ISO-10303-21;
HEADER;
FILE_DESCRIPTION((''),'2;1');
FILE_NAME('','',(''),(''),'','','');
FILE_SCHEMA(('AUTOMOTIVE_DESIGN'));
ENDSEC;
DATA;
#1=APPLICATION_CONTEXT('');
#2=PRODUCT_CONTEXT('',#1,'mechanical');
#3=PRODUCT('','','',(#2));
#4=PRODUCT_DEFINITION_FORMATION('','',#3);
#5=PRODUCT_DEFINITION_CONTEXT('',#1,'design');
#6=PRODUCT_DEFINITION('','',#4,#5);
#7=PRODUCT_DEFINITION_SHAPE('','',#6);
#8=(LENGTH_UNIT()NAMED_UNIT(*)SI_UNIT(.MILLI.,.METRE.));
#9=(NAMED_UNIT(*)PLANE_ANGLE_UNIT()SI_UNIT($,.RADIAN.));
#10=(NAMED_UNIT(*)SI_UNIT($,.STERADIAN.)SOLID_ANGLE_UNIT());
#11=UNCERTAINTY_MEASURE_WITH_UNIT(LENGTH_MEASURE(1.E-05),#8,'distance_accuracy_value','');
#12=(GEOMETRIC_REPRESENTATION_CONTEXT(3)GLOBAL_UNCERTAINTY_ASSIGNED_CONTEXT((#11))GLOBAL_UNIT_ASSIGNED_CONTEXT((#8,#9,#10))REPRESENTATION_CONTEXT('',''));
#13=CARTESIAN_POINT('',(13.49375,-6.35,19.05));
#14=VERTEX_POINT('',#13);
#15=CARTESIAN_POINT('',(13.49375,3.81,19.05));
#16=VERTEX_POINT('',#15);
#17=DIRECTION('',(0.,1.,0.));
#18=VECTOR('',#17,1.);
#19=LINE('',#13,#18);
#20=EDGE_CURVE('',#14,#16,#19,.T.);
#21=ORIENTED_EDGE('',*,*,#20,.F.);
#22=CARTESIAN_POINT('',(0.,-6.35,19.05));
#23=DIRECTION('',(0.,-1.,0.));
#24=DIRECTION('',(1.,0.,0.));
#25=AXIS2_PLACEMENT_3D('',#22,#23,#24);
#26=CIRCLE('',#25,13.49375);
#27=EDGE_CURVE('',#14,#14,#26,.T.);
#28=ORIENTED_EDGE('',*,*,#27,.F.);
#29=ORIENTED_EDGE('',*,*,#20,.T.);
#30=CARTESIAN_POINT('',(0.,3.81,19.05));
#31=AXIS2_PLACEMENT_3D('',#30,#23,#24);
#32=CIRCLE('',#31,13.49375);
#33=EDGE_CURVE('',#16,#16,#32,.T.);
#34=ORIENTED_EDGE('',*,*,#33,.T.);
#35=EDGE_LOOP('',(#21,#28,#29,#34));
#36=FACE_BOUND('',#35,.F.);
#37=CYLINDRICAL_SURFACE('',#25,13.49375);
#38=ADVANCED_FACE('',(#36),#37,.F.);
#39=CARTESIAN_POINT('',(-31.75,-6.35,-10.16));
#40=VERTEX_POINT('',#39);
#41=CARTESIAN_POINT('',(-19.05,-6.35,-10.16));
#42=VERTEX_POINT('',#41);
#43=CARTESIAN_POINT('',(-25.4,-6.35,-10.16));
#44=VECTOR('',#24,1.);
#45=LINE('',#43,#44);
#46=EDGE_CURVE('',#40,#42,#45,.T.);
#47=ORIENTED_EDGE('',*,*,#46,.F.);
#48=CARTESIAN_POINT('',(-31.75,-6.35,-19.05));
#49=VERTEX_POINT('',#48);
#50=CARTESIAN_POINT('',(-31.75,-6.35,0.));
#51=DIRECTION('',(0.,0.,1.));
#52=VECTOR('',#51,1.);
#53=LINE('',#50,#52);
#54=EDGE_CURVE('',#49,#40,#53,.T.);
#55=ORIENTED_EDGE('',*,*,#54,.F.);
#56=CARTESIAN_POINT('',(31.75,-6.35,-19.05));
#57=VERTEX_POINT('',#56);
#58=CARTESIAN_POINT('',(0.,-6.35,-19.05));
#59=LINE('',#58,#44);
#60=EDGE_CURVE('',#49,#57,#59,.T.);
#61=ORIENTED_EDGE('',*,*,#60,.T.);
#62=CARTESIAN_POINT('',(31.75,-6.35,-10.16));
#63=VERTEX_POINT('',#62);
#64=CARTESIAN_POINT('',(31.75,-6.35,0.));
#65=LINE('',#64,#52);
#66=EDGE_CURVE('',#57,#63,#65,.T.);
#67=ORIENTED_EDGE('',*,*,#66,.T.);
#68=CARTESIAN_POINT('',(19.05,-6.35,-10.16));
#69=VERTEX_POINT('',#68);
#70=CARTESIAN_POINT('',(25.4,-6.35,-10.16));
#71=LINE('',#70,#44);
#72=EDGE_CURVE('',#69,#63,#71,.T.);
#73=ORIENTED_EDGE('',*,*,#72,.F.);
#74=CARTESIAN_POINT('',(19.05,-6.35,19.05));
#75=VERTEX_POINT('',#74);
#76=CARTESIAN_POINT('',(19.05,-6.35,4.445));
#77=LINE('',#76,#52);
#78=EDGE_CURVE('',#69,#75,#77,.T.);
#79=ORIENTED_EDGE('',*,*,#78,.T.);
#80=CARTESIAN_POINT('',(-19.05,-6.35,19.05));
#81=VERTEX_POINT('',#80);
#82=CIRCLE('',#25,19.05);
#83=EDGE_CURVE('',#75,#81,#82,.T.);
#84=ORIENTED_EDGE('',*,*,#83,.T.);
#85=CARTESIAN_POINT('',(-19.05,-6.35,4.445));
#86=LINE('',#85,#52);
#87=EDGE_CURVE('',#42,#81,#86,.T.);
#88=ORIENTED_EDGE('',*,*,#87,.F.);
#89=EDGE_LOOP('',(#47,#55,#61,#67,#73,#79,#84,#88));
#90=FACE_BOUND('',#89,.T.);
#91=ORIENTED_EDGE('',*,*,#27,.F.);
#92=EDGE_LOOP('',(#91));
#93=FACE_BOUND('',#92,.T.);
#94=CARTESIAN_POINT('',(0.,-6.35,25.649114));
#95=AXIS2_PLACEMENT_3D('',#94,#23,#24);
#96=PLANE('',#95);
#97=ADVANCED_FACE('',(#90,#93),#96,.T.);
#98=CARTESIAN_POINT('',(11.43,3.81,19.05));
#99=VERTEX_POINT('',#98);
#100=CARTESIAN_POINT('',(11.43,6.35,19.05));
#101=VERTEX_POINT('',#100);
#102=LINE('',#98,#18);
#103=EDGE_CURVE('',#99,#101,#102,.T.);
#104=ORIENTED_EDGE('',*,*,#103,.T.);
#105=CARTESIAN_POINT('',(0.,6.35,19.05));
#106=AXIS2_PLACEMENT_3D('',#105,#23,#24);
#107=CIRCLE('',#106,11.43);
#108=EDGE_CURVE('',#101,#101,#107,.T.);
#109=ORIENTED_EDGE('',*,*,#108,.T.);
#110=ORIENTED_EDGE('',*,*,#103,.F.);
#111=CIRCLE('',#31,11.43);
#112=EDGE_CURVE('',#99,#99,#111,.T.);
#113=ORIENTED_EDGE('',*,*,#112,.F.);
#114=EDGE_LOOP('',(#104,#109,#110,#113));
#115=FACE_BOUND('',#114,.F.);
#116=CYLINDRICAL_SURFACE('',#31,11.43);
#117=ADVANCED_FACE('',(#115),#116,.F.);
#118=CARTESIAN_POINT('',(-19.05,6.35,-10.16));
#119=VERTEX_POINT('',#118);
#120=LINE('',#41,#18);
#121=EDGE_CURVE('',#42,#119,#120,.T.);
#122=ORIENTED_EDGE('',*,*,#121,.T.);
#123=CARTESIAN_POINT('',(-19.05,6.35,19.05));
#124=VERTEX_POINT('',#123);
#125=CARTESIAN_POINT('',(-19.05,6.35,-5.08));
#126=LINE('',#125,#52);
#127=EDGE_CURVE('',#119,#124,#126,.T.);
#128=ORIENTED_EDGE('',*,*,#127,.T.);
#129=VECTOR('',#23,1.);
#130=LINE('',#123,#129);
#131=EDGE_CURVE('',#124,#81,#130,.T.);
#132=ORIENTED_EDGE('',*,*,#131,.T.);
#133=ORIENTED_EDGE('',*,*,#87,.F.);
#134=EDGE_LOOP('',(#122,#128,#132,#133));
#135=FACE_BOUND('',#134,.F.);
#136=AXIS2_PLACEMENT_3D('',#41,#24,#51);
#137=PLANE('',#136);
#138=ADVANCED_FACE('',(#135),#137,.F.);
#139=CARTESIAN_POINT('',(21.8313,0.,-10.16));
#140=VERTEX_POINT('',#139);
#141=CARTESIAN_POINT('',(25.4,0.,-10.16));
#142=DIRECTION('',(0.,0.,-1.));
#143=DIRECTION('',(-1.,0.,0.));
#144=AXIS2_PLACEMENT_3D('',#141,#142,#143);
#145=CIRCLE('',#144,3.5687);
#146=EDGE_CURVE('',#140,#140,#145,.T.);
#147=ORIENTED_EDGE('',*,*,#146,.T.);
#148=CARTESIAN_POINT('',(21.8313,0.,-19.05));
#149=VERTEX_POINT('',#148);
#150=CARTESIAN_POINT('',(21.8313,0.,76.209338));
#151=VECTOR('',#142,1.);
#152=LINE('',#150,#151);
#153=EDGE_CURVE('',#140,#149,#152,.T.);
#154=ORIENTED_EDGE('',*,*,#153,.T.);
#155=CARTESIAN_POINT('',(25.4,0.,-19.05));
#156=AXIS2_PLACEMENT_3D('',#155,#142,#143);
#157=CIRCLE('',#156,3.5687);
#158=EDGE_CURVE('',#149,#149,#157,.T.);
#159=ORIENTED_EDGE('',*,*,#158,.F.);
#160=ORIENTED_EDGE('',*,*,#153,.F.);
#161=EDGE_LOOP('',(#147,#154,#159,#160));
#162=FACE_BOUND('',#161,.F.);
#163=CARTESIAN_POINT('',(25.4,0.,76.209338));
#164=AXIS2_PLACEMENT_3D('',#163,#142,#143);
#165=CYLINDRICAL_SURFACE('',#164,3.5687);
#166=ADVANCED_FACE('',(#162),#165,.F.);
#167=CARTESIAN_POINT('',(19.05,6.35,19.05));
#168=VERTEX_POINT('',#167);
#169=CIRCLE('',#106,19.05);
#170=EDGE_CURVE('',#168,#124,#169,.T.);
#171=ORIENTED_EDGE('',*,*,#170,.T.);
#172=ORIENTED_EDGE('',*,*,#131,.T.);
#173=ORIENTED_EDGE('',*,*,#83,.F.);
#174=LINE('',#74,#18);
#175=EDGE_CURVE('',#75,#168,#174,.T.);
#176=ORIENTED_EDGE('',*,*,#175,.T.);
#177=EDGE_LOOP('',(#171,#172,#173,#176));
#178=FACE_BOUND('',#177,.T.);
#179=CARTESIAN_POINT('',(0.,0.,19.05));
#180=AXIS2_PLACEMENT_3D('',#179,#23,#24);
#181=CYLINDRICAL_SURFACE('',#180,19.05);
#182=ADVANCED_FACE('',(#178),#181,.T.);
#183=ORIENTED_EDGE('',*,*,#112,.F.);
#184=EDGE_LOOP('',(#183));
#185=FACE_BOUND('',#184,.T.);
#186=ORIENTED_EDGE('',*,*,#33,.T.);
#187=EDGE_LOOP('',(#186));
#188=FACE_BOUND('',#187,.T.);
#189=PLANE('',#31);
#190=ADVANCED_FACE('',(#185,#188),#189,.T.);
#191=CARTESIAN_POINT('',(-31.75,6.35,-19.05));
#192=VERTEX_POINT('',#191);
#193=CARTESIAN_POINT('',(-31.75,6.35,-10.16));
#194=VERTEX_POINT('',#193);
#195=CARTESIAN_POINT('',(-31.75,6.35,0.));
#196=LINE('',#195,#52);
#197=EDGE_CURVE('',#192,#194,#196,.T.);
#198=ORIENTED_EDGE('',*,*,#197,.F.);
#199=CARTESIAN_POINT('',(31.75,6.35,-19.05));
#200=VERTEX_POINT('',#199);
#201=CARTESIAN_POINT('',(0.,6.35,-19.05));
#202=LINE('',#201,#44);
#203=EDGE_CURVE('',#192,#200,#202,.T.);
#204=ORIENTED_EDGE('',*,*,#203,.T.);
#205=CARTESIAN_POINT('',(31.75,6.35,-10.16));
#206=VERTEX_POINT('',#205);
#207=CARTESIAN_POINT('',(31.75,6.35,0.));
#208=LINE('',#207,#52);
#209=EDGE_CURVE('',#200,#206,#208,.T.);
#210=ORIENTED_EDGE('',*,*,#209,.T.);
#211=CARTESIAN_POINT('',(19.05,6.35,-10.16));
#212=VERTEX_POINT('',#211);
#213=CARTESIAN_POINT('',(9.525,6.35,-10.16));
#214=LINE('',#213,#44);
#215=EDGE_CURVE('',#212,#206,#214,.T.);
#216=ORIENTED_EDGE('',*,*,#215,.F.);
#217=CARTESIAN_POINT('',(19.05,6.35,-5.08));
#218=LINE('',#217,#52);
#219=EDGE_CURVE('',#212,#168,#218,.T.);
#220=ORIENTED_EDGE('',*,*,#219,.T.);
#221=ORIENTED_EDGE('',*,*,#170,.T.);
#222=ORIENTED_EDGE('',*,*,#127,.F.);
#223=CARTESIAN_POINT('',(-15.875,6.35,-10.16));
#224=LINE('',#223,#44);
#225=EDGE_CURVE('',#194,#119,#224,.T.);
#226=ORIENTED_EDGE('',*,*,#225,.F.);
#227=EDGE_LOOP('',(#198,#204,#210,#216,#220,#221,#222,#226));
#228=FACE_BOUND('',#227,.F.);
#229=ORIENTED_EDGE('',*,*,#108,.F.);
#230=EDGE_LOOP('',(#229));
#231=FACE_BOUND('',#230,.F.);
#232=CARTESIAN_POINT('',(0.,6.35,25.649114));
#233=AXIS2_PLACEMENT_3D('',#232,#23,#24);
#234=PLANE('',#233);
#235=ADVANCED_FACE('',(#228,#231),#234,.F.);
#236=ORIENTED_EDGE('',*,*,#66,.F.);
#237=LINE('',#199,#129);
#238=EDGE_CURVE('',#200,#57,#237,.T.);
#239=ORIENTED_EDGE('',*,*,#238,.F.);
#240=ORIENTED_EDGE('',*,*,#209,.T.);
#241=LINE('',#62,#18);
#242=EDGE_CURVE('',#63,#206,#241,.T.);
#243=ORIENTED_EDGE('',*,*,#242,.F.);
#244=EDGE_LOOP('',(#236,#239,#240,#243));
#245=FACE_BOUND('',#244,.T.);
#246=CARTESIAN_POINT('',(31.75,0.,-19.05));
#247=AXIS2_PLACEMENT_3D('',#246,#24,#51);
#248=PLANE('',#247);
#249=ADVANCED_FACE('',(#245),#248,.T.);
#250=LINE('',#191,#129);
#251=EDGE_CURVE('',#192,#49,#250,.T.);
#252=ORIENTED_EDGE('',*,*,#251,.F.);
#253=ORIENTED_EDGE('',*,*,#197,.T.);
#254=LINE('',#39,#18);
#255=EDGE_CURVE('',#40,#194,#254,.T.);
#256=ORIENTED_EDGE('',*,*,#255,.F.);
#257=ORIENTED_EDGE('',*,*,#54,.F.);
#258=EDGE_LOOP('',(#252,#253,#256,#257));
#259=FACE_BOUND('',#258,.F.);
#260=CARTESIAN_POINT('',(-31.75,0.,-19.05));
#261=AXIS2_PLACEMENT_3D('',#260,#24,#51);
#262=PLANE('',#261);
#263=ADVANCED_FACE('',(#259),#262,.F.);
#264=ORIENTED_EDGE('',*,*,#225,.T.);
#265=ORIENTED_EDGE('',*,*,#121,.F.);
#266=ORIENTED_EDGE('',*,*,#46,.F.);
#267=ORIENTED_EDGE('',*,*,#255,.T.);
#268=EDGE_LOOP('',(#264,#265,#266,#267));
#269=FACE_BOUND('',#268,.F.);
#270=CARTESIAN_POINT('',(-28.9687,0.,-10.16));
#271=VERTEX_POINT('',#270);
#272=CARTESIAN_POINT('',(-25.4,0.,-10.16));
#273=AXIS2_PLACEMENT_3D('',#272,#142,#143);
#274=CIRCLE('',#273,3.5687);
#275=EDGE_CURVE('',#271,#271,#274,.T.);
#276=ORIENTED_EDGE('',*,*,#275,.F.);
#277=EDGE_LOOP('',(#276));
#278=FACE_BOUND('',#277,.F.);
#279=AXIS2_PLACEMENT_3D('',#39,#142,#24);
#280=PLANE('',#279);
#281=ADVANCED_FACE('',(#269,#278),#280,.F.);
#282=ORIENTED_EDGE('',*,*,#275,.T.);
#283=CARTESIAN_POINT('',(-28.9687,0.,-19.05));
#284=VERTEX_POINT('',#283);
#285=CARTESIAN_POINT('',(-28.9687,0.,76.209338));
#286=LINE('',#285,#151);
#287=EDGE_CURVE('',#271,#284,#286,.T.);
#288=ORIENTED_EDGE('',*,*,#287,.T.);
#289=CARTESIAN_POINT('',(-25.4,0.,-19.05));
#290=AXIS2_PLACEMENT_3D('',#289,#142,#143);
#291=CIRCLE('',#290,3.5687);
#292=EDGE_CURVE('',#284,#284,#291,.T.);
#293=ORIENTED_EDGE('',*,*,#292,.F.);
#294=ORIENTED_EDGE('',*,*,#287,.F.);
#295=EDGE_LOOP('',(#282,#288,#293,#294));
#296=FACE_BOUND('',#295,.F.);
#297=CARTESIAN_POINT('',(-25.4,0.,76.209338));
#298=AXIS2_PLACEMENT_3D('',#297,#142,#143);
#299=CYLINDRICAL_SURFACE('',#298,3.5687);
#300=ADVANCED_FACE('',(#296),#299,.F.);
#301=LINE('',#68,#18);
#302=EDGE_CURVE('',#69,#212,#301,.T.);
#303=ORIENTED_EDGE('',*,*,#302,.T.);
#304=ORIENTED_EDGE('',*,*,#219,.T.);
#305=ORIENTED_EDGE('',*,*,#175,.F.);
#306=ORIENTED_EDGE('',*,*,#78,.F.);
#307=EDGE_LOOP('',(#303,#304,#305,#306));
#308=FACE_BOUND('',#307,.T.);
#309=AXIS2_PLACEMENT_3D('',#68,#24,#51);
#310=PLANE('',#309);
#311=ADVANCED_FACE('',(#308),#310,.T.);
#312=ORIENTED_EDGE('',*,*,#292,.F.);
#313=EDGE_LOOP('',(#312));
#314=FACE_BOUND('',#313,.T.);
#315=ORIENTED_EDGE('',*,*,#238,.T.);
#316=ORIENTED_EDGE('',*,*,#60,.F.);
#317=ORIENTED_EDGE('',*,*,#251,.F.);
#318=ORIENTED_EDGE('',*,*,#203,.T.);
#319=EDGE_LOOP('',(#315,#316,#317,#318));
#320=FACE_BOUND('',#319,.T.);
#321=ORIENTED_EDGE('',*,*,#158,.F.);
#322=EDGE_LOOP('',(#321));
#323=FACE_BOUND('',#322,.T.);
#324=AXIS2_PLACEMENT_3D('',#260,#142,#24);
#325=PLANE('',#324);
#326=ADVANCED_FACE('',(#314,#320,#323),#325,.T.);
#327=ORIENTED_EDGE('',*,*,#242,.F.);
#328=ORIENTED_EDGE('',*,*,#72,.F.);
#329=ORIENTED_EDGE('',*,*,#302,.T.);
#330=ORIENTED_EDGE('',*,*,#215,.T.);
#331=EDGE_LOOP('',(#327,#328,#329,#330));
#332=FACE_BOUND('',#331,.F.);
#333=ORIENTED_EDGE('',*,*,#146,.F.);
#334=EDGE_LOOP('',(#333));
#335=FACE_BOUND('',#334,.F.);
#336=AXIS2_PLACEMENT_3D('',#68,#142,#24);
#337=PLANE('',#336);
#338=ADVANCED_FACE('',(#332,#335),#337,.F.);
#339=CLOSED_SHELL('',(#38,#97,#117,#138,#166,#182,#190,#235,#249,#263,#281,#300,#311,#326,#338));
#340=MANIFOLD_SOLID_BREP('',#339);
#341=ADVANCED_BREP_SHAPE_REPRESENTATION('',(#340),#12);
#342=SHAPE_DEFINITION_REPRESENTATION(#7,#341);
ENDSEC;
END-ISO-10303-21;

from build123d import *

# Parameters (mm, degrees)
F0_W          = 63.5
F0_H          = 38.1
F1_DEPTH      = 6.35
F2_W          = 12.7
F2_H          = 29.21
F3_DEPTH      = 12.701
F5_DEPTH      = 6.35
F5_DEPTH_BACK = 6.35
F6_R          = 13.49375
F7_DEPTH      = 10.16
F8_R          = 11.43
F9_DEPTH      = 25.4
F11_D         = 7.1374


with BuildPart() as f1:
    # F0 (on Front) → F1 (new body, symmetric)
    with BuildSketch(Plane.XZ):
        Rectangle(F0_W, F0_H)
    extrude(amount=F1_DEPTH, both=True)

    # F2 (on face) → F3 (cut, through all)
    with BuildSketch(Plane.XZ.offset(6.35)):
        with Locations((-25.4, 4.445)):
            Rectangle(F2_W, F2_H)
        with Locations((25.4, 4.445)):
            Rectangle(F2_W, F2_H)
    extrude(amount=-F3_DEPTH, mode=Mode.SUBTRACT)

    # F4 (on Front) → F5 (join, two sides)
    with BuildSketch(Plane.XZ) as f5_sk:
        with BuildLine():
            Line((-19.05, 19.05), (19.05, 19.05))
            ThreePointArc((19.05, 19.05), (0, 38.1), (-19.05, 19.05))
        make_face()
    extrude(amount=F5_DEPTH)
    extrude(f5_sk.sketch, amount=-F5_DEPTH_BACK)

    # F6 (on face) → F7 (cut)
    with BuildSketch(Plane.XZ.offset(6.35)):
        with Locations((0, 19.05)):
            Circle(F6_R)
    extrude(amount=-F7_DEPTH, mode=Mode.SUBTRACT)

    # F8 (on face) → F9 (cut)
    with BuildSketch(Plane.XZ.offset(-3.81)):
        with Locations((0, 19.05)):
            Circle(F8_R)
    extrude(amount=-F9_DEPTH, mode=Mode.SUBTRACT)

    # F11 (through all)
    with Locations(Plane.XY.offset(-10.16)):
        with Locations((-25.4, 0), (25.4, 0)):
            Hole(F11_D / 2)


solid = f1.part
